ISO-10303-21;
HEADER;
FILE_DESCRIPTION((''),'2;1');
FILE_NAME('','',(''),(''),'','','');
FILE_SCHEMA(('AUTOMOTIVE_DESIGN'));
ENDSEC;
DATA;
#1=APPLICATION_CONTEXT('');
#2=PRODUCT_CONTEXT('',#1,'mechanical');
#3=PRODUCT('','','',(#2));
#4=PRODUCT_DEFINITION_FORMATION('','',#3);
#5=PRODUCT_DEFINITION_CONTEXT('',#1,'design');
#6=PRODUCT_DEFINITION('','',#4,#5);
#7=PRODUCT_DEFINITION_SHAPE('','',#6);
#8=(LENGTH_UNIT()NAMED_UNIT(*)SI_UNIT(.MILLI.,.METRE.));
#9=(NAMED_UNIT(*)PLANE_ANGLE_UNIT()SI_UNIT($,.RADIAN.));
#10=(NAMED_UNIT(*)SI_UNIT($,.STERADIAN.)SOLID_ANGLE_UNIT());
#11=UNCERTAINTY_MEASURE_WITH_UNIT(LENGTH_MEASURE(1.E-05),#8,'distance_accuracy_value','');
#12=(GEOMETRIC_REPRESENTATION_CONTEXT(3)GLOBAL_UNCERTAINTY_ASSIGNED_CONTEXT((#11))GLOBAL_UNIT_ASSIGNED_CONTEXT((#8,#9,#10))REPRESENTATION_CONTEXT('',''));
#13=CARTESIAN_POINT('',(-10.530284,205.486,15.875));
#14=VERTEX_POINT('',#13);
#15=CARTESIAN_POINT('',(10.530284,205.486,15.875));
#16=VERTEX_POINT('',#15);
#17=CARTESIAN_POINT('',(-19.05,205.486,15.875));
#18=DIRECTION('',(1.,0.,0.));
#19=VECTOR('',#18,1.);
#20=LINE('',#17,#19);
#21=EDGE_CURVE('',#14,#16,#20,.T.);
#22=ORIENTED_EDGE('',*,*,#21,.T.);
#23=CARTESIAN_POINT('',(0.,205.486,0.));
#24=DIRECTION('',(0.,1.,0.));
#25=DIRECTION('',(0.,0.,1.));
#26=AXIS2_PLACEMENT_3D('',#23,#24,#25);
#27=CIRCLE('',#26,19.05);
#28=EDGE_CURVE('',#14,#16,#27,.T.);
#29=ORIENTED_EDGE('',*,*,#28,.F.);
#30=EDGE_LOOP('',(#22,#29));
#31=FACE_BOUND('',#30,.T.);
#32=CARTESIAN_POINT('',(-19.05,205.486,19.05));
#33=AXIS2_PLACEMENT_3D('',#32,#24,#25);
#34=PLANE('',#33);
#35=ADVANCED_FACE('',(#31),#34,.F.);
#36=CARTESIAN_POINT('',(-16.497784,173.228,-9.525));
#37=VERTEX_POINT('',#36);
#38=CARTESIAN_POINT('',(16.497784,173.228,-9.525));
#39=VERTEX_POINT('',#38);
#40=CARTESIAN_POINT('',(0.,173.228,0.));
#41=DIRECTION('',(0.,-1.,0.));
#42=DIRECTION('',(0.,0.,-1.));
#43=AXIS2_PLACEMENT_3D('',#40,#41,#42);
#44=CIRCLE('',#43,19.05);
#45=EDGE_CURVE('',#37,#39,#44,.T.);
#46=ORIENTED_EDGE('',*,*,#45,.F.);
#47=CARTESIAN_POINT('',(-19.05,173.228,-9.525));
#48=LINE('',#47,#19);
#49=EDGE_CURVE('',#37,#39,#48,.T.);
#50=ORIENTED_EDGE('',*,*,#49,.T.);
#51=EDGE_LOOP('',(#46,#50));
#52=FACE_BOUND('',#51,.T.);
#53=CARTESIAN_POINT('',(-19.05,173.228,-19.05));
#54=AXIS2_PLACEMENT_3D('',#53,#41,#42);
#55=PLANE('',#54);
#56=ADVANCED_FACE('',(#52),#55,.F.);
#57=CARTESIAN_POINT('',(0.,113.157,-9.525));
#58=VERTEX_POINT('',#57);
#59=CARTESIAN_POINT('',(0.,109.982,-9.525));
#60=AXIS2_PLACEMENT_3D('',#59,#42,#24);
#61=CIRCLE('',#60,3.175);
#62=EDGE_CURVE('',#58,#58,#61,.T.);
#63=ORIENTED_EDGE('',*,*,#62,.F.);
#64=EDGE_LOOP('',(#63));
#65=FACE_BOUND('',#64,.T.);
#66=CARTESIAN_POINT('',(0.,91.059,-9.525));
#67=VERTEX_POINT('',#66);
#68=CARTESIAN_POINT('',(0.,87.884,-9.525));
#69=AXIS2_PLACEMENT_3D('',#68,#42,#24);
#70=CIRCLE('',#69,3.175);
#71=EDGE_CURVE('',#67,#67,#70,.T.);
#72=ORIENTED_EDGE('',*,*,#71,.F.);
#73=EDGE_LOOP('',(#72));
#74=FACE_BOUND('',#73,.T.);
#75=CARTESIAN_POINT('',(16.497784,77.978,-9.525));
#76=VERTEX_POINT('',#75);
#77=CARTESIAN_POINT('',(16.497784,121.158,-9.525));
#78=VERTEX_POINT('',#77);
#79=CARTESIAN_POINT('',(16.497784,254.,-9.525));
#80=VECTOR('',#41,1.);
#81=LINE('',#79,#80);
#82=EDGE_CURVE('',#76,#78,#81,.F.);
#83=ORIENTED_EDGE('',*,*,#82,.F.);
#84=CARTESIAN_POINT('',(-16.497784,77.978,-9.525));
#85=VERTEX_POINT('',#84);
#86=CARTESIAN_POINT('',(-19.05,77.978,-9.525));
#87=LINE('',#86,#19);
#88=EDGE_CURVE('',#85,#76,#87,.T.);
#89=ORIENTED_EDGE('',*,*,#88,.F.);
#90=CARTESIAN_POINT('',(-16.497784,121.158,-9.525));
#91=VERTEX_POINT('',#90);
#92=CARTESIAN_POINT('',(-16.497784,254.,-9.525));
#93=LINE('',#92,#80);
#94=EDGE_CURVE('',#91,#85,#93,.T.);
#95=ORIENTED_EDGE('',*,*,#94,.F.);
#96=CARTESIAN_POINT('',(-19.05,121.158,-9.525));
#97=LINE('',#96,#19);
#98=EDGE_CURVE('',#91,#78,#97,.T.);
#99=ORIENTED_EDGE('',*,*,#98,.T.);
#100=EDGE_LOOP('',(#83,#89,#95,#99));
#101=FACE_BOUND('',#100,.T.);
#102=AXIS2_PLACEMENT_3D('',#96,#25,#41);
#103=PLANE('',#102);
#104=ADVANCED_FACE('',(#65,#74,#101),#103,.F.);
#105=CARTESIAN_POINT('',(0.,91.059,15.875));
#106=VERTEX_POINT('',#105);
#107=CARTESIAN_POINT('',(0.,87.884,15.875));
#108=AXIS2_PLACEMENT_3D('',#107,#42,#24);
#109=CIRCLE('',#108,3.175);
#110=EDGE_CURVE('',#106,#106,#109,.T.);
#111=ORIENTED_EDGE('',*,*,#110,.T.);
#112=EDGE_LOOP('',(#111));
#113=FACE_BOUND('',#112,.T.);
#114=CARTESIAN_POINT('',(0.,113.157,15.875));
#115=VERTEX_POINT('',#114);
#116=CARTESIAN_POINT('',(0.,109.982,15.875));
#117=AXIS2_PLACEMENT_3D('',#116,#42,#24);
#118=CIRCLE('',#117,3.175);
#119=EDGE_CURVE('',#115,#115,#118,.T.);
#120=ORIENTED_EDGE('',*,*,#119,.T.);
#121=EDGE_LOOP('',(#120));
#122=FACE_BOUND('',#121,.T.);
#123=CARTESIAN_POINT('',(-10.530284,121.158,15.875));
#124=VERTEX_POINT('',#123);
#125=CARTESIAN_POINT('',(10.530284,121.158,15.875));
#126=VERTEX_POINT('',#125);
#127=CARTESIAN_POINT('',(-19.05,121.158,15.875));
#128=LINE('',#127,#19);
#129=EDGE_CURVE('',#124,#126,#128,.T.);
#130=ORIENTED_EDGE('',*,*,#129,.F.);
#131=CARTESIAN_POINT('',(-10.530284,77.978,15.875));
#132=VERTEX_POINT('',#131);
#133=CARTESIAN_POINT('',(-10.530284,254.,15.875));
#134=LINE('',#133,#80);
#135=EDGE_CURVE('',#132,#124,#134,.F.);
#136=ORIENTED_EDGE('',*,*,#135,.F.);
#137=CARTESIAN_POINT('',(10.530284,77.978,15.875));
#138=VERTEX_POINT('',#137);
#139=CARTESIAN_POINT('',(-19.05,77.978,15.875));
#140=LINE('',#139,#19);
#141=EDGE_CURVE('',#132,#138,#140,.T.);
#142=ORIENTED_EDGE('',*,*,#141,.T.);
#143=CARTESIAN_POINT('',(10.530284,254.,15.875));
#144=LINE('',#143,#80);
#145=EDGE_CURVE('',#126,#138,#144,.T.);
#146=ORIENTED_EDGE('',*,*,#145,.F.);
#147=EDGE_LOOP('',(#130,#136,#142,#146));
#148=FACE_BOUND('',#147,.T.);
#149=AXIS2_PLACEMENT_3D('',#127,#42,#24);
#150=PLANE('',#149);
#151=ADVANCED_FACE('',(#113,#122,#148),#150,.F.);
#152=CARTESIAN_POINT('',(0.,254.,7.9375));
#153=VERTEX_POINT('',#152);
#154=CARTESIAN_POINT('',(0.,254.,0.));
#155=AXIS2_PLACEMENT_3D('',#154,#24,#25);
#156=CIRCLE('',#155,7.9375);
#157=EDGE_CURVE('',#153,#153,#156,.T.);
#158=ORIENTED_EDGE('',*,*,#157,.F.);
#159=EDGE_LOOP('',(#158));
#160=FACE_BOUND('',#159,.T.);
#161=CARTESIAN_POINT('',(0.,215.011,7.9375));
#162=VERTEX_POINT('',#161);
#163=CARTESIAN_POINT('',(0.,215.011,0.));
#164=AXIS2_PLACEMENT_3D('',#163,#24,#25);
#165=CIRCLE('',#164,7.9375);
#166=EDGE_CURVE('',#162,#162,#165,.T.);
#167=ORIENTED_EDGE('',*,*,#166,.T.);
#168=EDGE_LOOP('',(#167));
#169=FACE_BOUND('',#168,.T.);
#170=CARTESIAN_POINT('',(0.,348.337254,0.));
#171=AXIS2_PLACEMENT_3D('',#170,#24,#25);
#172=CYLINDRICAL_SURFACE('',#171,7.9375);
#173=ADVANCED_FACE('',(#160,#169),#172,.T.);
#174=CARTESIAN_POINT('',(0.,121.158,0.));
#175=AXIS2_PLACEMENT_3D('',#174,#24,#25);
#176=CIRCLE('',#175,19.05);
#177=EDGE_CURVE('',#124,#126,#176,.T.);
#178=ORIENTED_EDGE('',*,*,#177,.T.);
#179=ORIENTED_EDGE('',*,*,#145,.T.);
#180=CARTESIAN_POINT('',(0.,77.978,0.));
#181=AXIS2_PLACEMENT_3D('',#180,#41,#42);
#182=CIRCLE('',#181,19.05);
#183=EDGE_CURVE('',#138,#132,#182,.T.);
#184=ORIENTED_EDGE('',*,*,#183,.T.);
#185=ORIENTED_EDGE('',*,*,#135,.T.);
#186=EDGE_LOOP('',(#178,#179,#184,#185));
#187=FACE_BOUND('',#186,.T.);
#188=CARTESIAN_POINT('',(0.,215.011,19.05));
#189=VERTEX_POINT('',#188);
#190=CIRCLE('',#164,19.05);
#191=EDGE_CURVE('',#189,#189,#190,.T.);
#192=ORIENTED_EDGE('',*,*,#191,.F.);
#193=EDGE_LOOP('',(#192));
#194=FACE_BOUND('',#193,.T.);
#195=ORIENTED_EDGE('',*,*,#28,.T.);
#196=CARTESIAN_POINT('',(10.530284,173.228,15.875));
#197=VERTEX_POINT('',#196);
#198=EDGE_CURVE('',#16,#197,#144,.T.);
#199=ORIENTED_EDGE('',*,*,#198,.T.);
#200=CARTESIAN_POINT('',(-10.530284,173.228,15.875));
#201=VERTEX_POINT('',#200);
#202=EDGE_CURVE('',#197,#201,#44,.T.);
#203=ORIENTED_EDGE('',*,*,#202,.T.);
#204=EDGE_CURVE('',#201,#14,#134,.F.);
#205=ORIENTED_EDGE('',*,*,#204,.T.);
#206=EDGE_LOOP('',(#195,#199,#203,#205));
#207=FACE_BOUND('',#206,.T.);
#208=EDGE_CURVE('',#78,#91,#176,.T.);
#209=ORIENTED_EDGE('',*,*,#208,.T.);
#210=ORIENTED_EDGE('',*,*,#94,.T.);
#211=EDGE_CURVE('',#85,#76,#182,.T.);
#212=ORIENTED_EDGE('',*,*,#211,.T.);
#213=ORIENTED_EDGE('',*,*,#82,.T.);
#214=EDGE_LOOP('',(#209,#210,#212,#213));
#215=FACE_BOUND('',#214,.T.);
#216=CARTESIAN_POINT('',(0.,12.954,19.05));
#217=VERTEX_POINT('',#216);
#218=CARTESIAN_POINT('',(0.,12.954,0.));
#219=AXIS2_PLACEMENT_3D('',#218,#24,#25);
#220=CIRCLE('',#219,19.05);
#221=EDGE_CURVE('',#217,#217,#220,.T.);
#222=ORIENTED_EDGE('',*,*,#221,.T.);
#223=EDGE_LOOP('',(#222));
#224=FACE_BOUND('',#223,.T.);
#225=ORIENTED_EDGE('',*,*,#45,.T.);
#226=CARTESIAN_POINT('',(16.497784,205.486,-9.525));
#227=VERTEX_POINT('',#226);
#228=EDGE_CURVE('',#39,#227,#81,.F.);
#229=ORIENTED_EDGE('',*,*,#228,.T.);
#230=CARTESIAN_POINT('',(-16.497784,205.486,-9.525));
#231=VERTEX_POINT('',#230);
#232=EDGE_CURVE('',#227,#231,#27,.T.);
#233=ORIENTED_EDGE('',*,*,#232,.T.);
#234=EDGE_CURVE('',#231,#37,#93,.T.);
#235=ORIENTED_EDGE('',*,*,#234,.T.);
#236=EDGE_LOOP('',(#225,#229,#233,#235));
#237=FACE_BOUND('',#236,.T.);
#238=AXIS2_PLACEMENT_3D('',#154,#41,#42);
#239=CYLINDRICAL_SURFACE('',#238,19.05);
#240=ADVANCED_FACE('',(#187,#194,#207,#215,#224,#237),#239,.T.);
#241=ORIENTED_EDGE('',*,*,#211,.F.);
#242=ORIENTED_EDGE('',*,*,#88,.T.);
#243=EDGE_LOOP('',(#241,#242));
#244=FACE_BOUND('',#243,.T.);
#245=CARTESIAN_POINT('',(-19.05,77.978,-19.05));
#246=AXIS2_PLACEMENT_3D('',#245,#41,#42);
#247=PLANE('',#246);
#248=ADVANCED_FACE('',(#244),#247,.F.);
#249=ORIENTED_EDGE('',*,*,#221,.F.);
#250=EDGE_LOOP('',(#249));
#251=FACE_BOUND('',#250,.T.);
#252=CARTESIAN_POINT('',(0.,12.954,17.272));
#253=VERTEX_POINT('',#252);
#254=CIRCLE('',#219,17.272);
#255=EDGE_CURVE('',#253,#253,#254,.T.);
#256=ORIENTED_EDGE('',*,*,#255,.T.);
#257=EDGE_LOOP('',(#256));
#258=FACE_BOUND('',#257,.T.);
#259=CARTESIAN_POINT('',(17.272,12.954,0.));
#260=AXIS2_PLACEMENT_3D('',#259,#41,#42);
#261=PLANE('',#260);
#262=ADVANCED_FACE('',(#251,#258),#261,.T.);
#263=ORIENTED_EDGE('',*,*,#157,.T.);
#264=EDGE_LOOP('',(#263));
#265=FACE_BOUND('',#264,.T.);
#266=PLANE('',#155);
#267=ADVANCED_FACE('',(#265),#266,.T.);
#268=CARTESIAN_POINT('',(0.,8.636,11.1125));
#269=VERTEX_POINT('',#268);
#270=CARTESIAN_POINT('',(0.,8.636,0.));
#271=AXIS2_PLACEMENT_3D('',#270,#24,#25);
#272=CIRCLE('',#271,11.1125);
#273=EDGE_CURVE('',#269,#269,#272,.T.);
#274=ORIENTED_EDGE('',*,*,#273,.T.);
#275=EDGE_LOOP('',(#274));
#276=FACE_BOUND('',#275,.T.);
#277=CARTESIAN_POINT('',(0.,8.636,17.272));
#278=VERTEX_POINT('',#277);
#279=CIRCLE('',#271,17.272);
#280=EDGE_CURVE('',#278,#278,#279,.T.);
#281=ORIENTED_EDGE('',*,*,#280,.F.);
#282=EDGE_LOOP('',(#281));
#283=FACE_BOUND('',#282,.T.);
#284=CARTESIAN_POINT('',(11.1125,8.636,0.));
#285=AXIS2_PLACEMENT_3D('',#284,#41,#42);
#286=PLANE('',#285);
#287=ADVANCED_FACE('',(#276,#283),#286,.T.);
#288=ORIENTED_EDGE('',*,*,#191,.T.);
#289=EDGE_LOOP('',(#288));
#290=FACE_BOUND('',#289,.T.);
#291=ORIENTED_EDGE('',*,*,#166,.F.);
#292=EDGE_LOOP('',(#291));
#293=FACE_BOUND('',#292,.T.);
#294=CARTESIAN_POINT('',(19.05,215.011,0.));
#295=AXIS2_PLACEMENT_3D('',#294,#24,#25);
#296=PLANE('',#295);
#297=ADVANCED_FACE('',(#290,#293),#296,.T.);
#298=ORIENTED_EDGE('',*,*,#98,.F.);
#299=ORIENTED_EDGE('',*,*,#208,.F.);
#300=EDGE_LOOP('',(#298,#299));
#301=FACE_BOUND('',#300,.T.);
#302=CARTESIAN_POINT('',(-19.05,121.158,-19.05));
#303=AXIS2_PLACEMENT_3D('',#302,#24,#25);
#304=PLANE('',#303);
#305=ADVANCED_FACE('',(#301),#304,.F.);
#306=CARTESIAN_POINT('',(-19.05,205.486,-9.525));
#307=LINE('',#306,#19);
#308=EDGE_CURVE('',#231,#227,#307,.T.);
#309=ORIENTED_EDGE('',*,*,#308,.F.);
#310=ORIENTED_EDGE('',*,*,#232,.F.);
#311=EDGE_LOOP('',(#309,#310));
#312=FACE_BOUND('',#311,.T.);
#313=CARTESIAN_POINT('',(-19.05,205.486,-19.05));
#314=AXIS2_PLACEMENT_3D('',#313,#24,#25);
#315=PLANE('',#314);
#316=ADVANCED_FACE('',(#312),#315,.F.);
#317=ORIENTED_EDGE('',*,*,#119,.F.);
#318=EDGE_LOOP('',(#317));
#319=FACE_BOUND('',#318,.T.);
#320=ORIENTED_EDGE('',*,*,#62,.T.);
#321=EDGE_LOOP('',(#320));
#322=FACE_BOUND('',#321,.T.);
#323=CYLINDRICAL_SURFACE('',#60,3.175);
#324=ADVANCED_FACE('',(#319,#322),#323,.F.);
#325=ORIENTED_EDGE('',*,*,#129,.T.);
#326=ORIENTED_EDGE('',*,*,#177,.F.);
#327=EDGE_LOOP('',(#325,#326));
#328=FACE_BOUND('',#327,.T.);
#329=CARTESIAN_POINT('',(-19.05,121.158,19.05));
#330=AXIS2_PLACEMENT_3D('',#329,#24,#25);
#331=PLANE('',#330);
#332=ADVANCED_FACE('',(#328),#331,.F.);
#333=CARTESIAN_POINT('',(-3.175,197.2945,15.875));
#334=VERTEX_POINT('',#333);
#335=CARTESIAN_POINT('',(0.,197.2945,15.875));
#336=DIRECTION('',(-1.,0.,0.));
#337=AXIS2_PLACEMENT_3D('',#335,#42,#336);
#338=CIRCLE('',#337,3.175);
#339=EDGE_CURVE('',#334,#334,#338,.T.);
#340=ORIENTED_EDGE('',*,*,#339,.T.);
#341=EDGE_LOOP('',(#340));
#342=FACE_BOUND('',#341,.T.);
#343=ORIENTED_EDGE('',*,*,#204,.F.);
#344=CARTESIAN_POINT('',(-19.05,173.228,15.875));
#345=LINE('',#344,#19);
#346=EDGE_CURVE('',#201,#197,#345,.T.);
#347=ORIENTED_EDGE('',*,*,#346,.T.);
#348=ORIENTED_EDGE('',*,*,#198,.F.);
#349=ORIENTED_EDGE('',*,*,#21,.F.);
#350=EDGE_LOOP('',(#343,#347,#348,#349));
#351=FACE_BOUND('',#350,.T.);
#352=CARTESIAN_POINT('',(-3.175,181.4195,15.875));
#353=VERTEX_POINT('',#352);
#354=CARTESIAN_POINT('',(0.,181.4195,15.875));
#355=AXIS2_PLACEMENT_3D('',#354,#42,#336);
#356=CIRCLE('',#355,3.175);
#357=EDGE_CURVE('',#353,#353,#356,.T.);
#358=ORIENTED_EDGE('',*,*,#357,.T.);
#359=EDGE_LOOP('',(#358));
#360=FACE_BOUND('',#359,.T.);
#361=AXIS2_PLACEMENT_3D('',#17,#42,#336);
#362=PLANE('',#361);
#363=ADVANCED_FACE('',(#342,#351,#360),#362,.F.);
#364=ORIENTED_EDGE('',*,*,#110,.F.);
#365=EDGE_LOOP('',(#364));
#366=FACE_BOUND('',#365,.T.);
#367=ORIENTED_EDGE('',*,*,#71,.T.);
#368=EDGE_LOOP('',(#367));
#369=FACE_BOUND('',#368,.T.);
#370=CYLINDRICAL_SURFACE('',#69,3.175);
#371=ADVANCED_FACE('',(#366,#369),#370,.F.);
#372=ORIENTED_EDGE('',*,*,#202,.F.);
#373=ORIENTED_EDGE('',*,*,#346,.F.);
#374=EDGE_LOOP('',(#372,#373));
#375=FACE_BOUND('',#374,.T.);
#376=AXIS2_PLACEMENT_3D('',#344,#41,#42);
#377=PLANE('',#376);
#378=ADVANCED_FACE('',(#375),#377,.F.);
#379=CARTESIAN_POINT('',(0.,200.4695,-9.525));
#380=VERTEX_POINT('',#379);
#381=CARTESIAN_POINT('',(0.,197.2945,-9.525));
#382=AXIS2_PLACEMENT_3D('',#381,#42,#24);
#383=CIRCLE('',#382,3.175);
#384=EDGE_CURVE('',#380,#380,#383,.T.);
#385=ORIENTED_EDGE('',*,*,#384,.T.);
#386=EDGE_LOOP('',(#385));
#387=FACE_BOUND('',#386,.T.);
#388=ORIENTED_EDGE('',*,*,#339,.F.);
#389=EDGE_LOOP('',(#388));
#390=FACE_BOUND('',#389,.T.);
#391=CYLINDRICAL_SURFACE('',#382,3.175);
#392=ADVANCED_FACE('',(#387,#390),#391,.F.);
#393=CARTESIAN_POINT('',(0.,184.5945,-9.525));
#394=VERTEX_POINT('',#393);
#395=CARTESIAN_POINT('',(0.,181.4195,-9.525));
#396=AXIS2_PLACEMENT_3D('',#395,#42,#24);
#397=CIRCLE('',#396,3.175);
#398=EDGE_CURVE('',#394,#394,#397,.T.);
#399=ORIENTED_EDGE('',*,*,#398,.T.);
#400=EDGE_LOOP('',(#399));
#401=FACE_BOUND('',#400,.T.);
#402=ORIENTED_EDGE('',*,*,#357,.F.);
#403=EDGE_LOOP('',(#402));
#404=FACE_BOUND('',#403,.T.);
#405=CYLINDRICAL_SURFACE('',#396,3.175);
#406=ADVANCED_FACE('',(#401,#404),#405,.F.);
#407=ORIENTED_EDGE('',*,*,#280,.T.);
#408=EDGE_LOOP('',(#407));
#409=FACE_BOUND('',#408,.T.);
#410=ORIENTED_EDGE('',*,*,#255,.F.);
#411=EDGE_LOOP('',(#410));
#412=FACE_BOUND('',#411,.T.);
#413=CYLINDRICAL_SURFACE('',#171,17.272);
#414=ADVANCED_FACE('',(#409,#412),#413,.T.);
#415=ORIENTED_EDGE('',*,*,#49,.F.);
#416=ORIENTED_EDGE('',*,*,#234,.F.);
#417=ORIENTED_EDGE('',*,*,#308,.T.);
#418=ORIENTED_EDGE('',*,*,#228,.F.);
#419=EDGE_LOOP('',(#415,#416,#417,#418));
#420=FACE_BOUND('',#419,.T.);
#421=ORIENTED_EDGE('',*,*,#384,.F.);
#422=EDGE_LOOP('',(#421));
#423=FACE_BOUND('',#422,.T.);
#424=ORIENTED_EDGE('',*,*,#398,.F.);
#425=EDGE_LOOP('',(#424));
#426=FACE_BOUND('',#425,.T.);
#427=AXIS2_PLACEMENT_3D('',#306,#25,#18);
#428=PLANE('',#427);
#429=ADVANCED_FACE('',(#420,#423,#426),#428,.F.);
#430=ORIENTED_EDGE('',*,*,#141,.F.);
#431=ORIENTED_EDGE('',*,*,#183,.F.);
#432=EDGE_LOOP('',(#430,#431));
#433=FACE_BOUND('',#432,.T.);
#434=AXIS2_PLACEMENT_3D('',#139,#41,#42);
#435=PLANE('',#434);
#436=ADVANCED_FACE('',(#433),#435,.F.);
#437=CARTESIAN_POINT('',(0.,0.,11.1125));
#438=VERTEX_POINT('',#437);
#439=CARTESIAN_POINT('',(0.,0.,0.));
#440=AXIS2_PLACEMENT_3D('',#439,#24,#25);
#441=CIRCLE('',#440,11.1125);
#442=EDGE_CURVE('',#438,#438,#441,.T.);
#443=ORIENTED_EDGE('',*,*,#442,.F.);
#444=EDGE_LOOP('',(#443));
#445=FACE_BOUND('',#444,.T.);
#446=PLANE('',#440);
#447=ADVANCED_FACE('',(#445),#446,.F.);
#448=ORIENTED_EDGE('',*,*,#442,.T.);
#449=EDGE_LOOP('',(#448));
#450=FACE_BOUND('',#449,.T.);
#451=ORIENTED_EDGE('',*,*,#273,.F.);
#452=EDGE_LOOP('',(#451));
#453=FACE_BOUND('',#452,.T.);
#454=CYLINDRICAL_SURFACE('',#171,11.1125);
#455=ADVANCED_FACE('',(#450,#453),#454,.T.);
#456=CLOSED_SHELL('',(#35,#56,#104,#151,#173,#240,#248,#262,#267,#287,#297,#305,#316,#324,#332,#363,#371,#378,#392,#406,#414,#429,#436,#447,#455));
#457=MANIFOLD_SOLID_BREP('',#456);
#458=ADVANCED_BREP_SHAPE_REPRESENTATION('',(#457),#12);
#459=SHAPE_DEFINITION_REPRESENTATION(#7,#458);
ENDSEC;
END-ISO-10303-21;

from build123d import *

# Parameters (mm, degrees)
SKETCH1_R               = 19.05
BOSS_EXTRUDE1_DEPTH     = 254
SKETCH2_W               = 11.1125
SKETCH2_H               = 38.989
CUT_EXTRUDE1_DEPTH      = 256.424754086
CUT_EXTRUDE1_DEPTH_BACK = 256.424754086
SKETCH3_W               = 9.525
SKETCH3_H               = 32.258
SKETCH3_H_2             = 43.18
SKETCH3_W_2             = 3.175
F_1_1_DIAMETER_HOLE1_D  = 6.35


with BuildPart() as part:
    # Sketch1 → Boss-Extrude1 (new body)
    with BuildSketch(Plane(origin=(0, 0, 0), x_dir=(1, 0, 0), z_dir=(0, 1, 0))):
        with Locations(Location((0, 0, 0), (0, 0, 270))):
            Circle(SKETCH1_R)
    extrude(amount=BOSS_EXTRUDE1_DEPTH)

    # Sketch2 → Cut-Revolve1 (revolve, cut)
    with BuildSketch(Plane.XY, mode=Mode.PRIVATE) as cut_revolve1_sk:
        Polygon((19.05, 0), (11.1125, 0), (11.1125, 8.636), (17.272, 8.636), (17.272, 12.954), (19.05, 12.954), align=None)
        with Locations((13.49375, 234.5055)):
            Rectangle(SKETCH2_W, SKETCH2_H)
    revolve(cut_revolve1_sk.sketch.rotate(Axis((0, 348.337253792, 0), (0, -1, 0)), 90), axis=Axis((0, 348.337253792, 0), (0, -1, 0)), mode=Mode.SUBTRACT)

    # Sketch3 → Cut-Extrude1 (cut, two sides: drawn at the far end of the back side and taken through both)
    with BuildSketch(Plane(origin=(0, 0, 0), x_dir=(0, 0, -1), z_dir=(1, 0, 0)).offset(-CUT_EXTRUDE1_DEPTH_BACK)):
        with Locations((14.2875, 189.357)):
            Rectangle(SKETCH3_W, SKETCH3_H)
        with Locations((14.2875, 99.568)):
            Rectangle(SKETCH3_W, SKETCH3_H_2)
        with Locations((-17.4625, 189.357)):
            Rectangle(SKETCH3_W_2, SKETCH3_H)
        with Locations((-17.4625, 99.568)):
            Rectangle(SKETCH3_W_2, SKETCH3_H_2)
    extrude(amount=CUT_EXTRUDE1_DEPTH + CUT_EXTRUDE1_DEPTH_BACK, mode=Mode.SUBTRACT)

    # 1 (1) Diameter Hole1 (through all)
    with Locations(Plane(origin=(0, 0, -9.525), x_dir=(-1, 0, 0), z_dir=(0, 0, -1))):
        with Locations((0, 197.2945), (0, 181.4195), (0, 109.982), (0, 87.884)):
            Hole(F_1_1_DIAMETER_HOLE1_D / 2)


solid = part.part
